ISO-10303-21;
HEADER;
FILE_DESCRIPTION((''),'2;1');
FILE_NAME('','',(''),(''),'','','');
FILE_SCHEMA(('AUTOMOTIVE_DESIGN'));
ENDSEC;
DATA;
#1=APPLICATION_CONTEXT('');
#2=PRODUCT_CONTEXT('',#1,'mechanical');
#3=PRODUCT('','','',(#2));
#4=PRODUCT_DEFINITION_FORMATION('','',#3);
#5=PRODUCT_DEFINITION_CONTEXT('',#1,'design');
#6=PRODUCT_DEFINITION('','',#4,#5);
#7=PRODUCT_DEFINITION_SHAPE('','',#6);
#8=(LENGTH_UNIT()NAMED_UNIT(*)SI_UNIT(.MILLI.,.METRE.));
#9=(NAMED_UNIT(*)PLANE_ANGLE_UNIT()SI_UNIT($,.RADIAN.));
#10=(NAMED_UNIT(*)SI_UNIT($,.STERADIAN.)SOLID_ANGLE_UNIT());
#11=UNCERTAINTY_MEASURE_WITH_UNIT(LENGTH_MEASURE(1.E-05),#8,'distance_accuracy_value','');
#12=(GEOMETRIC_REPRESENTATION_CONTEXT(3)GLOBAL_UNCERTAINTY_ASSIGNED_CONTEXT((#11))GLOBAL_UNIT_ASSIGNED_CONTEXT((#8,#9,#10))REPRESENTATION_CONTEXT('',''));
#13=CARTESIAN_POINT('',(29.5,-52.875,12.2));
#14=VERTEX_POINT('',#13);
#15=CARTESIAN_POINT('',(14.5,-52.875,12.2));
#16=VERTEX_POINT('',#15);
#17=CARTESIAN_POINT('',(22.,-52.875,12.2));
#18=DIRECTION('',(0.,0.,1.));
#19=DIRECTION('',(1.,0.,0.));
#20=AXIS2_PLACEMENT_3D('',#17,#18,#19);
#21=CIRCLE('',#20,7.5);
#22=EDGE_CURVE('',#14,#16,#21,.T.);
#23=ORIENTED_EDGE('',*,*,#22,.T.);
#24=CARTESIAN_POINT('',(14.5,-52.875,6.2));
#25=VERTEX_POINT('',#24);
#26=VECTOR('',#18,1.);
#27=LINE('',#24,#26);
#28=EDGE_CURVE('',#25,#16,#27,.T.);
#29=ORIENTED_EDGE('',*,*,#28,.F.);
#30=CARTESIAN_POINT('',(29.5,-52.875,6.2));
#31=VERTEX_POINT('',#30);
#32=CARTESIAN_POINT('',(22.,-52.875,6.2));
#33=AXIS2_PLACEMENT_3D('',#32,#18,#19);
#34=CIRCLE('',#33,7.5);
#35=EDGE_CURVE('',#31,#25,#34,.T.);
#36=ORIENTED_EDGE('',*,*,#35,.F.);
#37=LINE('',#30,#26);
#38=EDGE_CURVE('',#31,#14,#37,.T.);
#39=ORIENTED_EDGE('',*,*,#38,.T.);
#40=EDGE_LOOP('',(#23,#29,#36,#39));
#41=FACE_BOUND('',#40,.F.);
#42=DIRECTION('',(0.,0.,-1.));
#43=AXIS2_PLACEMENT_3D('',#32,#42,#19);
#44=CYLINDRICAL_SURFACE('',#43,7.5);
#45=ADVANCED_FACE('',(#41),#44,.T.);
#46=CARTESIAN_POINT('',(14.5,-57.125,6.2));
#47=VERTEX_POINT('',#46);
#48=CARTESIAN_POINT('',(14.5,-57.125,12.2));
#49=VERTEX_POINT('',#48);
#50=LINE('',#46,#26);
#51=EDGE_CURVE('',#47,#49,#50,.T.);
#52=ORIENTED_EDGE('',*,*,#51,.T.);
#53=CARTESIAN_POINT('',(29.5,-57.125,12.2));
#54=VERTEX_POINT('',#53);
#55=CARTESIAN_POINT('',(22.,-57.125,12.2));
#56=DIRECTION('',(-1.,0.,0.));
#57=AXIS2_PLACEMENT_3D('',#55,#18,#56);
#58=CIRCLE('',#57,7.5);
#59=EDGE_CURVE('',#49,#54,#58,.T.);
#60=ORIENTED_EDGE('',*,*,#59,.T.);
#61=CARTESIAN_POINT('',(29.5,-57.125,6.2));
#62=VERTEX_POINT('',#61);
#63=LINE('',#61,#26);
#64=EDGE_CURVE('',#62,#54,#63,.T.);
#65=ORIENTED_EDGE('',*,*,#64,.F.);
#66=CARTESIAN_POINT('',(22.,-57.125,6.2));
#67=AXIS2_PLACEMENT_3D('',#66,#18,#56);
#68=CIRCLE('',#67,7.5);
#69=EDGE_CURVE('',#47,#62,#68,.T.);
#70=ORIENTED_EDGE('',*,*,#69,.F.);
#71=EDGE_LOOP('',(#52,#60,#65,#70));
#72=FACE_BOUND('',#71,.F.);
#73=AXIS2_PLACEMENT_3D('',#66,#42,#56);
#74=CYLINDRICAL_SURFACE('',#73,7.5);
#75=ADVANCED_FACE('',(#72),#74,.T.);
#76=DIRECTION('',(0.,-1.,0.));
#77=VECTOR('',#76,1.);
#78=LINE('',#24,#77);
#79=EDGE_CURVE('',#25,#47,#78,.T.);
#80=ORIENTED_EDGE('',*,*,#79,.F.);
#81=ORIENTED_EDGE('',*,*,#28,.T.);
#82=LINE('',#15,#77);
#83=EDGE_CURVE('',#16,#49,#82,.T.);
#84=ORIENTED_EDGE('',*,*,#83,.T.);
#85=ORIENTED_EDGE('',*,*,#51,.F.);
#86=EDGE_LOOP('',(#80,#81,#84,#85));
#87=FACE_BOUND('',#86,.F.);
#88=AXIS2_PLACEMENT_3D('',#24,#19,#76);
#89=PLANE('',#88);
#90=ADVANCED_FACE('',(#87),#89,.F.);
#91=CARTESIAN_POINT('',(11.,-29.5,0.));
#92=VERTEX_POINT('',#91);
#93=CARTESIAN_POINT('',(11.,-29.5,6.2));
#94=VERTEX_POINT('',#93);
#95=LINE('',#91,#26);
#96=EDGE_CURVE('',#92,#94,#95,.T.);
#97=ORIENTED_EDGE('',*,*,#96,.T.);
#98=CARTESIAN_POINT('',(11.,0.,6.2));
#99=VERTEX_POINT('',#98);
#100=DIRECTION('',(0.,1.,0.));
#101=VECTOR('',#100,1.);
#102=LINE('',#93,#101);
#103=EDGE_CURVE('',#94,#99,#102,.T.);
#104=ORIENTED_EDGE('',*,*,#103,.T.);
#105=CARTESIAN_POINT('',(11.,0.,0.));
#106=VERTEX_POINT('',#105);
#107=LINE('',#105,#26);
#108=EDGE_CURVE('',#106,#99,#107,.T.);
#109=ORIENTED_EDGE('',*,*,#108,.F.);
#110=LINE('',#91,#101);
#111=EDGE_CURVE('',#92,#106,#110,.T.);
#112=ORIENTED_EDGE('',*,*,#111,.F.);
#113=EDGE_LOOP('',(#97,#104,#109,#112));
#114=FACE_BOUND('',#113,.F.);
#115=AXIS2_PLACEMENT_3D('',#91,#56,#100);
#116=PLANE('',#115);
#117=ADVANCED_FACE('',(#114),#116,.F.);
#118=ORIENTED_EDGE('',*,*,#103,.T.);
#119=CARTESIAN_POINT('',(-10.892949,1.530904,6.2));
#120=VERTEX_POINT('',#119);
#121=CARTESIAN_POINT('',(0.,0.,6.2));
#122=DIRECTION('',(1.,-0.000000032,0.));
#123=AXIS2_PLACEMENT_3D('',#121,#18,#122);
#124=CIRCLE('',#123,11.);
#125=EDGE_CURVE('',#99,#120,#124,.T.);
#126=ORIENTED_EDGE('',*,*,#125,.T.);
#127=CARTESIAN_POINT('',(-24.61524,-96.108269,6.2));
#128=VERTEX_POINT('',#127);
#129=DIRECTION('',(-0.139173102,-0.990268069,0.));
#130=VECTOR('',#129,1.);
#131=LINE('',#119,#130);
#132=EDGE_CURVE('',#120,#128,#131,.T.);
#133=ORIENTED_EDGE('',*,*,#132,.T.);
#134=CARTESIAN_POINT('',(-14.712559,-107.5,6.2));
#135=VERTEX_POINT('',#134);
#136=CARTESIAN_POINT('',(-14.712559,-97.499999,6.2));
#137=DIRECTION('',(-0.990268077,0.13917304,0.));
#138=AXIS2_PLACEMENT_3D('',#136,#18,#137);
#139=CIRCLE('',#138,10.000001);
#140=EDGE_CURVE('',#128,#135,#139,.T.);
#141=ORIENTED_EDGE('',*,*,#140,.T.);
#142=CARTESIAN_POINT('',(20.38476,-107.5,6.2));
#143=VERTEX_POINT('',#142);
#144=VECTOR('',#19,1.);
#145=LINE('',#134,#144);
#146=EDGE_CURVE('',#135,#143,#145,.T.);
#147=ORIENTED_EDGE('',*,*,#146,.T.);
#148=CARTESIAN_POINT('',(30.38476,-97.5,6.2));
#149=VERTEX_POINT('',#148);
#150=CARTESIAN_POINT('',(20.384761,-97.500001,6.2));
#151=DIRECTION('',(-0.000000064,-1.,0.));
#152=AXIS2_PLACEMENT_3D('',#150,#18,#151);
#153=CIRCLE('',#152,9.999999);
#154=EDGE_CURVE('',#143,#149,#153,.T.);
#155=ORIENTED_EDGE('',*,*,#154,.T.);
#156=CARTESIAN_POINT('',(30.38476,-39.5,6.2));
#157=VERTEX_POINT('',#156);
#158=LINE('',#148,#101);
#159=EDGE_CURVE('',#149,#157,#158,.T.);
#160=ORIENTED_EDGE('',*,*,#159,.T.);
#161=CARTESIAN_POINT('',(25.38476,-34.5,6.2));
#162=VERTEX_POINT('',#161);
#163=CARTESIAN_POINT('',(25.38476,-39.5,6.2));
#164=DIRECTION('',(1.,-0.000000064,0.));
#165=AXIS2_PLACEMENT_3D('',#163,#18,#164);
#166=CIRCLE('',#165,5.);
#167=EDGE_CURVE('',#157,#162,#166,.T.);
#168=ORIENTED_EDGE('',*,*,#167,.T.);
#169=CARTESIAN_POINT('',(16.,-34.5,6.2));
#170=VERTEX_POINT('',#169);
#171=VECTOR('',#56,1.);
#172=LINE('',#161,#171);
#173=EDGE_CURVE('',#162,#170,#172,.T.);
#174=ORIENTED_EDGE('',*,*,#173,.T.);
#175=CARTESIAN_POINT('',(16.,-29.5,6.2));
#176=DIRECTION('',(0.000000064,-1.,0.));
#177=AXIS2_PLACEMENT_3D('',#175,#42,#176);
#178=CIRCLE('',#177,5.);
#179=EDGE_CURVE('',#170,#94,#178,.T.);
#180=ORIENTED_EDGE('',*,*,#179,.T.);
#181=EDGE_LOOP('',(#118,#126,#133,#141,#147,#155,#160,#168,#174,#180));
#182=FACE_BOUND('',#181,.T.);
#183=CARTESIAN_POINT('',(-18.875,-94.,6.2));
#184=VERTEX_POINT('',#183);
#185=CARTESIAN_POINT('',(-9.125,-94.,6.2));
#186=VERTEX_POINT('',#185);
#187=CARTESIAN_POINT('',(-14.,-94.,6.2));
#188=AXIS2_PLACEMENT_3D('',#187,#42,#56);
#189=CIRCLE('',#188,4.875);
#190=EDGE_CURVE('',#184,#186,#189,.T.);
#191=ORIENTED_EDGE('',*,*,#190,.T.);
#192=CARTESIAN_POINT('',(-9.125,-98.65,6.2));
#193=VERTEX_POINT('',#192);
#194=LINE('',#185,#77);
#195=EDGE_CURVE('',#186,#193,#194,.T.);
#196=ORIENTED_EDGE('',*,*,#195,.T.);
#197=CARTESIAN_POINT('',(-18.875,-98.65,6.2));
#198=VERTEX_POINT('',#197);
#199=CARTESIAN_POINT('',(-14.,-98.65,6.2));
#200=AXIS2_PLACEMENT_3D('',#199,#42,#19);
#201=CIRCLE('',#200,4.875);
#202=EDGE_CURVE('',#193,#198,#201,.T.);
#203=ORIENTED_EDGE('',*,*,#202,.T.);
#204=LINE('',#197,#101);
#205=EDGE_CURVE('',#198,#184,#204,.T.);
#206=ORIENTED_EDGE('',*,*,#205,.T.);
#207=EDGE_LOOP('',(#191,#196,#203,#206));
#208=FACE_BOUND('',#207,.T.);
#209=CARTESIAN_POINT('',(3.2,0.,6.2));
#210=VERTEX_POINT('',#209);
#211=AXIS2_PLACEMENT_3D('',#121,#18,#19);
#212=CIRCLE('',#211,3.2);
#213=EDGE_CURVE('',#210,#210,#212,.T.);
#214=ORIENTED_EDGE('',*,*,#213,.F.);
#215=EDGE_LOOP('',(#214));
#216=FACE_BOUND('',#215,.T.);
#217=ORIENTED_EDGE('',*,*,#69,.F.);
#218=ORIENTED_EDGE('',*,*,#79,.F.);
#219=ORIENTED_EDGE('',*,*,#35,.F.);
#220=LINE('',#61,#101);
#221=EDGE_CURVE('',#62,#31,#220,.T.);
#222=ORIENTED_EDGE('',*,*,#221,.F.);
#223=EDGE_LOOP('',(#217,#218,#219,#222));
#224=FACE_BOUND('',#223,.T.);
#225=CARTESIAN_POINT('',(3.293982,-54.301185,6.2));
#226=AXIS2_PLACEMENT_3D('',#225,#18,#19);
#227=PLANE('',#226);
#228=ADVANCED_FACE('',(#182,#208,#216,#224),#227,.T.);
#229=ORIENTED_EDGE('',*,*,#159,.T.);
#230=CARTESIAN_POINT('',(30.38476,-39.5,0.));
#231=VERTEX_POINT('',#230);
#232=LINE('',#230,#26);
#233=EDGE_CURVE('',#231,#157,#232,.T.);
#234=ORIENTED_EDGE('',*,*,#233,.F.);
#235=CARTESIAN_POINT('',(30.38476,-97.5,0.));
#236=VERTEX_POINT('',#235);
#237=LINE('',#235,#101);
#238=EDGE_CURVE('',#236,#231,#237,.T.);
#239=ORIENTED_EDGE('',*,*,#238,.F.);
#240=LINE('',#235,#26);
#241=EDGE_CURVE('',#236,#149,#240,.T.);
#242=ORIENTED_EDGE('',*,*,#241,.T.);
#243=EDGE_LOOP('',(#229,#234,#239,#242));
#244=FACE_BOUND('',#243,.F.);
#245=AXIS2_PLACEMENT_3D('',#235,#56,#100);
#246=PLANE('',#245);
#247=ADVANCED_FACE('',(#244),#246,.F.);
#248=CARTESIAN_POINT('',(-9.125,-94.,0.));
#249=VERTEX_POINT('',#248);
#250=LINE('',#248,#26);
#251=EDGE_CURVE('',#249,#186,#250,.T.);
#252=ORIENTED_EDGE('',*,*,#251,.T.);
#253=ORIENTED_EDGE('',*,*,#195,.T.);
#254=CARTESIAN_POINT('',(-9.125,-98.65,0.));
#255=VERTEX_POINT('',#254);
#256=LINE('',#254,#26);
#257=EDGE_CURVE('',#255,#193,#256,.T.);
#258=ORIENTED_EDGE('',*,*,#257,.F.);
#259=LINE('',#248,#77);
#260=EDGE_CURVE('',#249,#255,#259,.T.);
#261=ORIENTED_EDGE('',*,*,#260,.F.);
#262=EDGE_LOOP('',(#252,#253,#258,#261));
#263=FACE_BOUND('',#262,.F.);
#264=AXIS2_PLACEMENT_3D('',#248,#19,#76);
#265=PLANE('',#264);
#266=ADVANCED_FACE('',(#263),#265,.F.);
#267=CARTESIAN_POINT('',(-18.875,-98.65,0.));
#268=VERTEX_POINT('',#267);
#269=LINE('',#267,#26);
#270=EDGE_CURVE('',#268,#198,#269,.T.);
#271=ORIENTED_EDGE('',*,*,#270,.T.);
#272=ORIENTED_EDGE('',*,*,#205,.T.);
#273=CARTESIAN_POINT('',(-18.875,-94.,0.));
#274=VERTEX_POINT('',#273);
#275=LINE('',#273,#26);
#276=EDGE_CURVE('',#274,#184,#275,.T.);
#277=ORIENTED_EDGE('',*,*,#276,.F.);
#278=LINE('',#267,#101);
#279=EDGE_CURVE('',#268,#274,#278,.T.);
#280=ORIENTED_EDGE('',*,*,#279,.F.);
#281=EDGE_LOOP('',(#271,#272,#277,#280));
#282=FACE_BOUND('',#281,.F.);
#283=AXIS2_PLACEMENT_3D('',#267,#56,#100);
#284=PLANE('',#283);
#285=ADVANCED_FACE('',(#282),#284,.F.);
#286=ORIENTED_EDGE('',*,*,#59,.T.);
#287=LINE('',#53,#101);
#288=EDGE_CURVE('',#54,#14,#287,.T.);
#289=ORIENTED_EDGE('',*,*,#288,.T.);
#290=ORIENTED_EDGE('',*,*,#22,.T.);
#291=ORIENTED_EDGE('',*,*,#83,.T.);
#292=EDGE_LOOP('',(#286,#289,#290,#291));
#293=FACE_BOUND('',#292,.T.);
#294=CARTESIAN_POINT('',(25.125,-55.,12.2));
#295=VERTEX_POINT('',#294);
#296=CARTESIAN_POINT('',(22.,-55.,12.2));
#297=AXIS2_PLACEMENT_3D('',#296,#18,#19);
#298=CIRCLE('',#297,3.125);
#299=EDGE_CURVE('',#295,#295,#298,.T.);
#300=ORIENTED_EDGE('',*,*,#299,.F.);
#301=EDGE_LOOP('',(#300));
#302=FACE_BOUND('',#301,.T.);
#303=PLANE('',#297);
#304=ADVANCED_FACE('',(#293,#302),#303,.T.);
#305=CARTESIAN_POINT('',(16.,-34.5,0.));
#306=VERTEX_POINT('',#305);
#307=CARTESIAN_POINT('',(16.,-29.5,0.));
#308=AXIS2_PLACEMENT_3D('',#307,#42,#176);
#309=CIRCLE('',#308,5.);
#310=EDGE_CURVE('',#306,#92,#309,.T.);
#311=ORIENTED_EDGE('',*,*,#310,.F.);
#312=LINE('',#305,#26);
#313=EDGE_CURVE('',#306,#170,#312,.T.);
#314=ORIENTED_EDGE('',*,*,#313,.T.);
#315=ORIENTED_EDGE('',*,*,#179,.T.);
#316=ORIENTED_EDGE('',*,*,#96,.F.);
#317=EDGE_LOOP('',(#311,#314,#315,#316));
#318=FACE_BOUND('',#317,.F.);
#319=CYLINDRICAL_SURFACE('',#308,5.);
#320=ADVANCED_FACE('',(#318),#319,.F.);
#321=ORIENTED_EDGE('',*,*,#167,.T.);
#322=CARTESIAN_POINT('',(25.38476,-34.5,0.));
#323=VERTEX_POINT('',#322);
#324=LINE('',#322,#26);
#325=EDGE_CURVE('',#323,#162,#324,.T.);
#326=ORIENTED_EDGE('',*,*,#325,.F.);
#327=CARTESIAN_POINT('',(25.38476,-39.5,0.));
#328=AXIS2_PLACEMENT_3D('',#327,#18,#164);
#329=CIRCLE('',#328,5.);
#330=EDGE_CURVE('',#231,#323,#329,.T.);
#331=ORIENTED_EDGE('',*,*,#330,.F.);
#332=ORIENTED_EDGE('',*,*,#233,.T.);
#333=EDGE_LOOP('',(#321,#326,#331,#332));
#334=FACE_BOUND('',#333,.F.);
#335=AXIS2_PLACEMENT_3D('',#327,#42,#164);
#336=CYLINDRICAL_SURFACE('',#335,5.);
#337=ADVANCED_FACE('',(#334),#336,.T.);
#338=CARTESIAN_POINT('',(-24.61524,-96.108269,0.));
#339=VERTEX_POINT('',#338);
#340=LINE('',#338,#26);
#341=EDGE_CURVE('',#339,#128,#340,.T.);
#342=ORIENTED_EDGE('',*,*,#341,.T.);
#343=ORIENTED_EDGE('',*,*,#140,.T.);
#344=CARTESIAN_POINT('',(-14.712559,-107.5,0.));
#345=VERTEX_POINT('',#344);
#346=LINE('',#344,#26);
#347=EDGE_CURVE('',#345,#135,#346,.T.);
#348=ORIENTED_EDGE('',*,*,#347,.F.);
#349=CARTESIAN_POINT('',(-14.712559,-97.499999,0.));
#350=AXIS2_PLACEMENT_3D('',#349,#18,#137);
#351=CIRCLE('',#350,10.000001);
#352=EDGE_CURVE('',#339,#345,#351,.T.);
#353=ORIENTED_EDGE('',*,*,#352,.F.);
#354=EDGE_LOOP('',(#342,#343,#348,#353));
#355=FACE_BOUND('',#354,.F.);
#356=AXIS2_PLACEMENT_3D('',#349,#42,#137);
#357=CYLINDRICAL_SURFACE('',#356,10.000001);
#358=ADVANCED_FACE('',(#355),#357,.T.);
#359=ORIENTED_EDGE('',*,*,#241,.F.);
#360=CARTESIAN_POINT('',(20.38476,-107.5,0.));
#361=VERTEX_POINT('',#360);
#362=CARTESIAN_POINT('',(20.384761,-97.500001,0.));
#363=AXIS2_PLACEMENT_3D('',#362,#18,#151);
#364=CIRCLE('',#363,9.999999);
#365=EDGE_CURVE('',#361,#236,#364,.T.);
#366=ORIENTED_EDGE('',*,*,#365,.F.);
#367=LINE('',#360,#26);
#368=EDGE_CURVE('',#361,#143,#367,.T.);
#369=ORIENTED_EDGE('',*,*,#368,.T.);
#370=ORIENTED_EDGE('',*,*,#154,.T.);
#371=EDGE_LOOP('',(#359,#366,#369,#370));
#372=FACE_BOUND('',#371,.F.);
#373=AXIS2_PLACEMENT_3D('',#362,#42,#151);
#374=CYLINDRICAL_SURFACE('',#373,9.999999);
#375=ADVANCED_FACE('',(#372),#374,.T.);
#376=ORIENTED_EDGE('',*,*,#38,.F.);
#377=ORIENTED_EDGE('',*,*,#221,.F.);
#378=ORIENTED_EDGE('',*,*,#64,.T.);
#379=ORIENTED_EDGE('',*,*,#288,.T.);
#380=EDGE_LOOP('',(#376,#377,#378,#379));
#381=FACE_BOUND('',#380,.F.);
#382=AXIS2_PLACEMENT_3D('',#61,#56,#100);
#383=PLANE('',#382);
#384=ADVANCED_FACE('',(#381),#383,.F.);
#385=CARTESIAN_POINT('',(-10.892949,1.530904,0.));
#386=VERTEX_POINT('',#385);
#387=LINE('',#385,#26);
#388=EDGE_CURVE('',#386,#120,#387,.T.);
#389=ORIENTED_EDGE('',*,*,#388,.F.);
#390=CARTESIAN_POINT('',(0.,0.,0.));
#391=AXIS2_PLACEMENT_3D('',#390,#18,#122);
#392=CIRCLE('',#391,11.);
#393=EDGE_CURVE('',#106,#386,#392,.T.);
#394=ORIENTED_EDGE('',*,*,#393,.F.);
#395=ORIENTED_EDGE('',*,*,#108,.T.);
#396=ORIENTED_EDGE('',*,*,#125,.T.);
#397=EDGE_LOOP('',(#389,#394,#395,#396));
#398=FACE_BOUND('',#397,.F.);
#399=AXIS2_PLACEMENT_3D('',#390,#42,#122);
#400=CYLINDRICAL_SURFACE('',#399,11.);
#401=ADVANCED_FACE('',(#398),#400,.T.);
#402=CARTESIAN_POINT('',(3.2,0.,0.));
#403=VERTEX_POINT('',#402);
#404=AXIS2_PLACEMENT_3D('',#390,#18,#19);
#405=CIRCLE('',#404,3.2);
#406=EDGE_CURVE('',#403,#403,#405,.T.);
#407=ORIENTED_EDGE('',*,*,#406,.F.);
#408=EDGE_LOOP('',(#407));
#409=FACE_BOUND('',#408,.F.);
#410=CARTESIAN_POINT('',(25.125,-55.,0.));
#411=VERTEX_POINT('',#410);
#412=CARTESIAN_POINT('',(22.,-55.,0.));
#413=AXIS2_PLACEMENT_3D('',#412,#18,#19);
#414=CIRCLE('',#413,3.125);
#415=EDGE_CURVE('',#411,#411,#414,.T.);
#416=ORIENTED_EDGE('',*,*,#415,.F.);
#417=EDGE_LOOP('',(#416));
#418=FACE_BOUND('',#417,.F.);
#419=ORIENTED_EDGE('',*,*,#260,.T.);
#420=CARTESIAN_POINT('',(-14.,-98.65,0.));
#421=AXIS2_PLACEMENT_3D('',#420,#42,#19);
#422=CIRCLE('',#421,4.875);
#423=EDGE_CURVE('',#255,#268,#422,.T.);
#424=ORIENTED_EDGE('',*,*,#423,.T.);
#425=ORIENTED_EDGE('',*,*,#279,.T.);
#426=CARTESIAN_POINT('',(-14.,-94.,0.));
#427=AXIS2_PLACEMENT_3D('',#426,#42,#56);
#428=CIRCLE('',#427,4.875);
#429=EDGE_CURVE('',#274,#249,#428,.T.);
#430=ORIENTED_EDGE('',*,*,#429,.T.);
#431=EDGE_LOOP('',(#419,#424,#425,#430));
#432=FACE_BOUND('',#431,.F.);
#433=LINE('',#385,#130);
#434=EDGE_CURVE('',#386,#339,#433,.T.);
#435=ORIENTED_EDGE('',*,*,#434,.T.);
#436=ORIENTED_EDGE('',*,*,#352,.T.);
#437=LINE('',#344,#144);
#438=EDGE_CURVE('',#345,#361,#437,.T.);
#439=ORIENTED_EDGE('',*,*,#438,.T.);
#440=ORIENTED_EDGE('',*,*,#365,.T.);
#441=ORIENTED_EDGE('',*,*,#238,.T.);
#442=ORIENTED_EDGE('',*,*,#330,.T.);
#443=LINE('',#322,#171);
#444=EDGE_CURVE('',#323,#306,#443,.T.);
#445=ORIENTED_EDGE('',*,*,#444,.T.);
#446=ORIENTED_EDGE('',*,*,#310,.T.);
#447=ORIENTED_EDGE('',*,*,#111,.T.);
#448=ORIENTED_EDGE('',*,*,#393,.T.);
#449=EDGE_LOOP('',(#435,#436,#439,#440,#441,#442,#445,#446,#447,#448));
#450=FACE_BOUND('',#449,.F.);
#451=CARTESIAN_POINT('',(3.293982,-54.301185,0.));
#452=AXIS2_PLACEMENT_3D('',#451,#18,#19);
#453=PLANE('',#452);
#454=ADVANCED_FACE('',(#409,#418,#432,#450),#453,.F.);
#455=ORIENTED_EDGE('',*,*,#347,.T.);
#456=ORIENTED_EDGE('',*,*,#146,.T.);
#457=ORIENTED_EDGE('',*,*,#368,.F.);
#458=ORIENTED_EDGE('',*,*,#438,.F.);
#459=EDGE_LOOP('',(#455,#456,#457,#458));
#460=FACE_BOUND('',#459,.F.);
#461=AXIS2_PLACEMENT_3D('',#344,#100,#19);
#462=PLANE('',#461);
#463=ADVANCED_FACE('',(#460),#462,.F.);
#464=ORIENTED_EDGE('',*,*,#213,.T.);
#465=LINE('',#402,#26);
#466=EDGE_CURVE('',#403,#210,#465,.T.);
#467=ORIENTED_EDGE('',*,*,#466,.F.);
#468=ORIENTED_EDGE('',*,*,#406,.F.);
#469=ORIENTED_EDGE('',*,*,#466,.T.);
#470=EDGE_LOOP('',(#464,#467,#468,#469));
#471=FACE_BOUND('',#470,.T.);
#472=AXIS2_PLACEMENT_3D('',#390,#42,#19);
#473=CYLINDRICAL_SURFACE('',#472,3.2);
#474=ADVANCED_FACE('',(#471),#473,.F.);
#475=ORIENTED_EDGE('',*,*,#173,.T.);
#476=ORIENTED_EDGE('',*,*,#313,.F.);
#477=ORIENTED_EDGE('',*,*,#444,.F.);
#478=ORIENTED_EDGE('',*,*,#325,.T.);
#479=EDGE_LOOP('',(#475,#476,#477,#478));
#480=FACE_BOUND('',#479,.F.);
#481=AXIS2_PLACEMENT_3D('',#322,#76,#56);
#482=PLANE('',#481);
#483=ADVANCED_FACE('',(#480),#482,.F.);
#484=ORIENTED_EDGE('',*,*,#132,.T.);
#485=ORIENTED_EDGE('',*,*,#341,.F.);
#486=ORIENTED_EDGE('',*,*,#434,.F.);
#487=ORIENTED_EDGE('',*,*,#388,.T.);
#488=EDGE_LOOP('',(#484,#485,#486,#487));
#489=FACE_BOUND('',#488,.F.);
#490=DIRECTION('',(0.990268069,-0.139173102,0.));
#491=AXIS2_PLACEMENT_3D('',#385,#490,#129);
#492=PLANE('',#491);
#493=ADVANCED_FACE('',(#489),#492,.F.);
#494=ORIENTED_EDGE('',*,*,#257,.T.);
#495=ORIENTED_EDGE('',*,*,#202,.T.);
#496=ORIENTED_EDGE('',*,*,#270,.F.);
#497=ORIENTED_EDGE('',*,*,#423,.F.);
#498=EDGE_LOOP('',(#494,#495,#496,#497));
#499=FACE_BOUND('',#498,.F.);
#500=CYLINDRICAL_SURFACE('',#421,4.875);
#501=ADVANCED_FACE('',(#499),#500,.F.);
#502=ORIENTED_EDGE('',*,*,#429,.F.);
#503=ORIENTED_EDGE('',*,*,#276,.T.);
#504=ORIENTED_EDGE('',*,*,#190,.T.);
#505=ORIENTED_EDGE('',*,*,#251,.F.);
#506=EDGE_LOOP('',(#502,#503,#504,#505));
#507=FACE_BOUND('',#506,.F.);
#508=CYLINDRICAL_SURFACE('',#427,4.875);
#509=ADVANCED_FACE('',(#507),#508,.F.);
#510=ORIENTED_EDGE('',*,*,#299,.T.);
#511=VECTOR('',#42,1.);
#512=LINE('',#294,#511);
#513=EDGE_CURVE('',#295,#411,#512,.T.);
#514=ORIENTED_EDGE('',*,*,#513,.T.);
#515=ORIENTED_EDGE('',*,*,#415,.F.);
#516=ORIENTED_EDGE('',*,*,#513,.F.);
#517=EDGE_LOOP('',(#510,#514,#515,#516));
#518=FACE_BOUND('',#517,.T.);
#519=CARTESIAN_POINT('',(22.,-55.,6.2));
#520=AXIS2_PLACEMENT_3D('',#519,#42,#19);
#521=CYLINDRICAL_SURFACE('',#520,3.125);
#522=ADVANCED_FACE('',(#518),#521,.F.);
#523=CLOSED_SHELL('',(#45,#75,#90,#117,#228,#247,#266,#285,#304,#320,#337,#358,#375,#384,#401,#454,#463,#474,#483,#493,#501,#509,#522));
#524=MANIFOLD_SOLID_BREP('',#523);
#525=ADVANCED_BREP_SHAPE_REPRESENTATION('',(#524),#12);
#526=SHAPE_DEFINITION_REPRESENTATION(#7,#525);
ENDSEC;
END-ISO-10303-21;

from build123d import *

# Parameters (mm, degrees)
F0_R     = 3.125
F0_R_2   = 3.2
F1_DEPTH = 6.2
F2_R     = 3.125
F3_DEPTH = 6


with BuildPart() as f1:
    # F0 (on Top) → F1 (new body)
    with BuildSketch(Plane.XY):
        with BuildLine():
            Line((11, -29.5), (11, 0))
            ThreePointArc((11, 0), (0.767321, 10.973205), (-10.892949, 1.530904))
            Line((-10.892949, 1.530904), (-24.61524, -96.108269))
            ThreePointArc((-24.61524, -96.108269), (-22.259655, -104.06059), (-14.712559, -107.5))
            Line((-14.712559, -107.5), (20.38476, -107.5))
            ThreePointArc((20.38476, -107.5), (27.455828, -104.571068), (30.38476, -97.5))
            Line((30.38476, -97.5), (30.38476, -39.5))
            ThreePointArc((30.38476, -39.5), (28.920294, -35.964466), (25.38476, -34.5))
            Line((25.38476, -34.5), (16, -34.5))
            ThreePointArc((16, -34.5), (12.464466, -33.035534), (11, -29.5))
        make_face()
        with BuildLine():
            Line((-18.875, -98.65), (-18.875, -94))
            ThreePointArc((-18.875, -94), (-14, -89.125), (-9.125, -94))
            Line((-9.125, -94), (-9.125, -98.65))
            ThreePointArc((-9.125, -98.65), (-14, -103.525), (-18.875, -98.65))
        make_face(mode=Mode.SUBTRACT)
        with Locations((22, -55)):
            Circle(F0_R, mode=Mode.SUBTRACT)
        Circle(F0_R_2, mode=Mode.SUBTRACT)
    extrude(amount=F1_DEPTH)

    # F2 (on face) → F3 (join)
    with BuildSketch(Plane.XY.offset(6.2)):
        with BuildLine():
            ThreePointArc((29.5, -52.875), (22, -45.375), (14.5, -52.875))
            Line((14.5, -52.875), (14.5, -57.125))
            ThreePointArc((14.5, -57.125), (22, -64.625), (29.5, -57.125))
            Line((29.5, -57.125), (29.5, -52.875))
        make_face()
        with Locations((22, -55)):
            Circle(F2_R, mode=Mode.SUBTRACT)
    extrude(amount=F3_DEPTH)


solid = f1.part
